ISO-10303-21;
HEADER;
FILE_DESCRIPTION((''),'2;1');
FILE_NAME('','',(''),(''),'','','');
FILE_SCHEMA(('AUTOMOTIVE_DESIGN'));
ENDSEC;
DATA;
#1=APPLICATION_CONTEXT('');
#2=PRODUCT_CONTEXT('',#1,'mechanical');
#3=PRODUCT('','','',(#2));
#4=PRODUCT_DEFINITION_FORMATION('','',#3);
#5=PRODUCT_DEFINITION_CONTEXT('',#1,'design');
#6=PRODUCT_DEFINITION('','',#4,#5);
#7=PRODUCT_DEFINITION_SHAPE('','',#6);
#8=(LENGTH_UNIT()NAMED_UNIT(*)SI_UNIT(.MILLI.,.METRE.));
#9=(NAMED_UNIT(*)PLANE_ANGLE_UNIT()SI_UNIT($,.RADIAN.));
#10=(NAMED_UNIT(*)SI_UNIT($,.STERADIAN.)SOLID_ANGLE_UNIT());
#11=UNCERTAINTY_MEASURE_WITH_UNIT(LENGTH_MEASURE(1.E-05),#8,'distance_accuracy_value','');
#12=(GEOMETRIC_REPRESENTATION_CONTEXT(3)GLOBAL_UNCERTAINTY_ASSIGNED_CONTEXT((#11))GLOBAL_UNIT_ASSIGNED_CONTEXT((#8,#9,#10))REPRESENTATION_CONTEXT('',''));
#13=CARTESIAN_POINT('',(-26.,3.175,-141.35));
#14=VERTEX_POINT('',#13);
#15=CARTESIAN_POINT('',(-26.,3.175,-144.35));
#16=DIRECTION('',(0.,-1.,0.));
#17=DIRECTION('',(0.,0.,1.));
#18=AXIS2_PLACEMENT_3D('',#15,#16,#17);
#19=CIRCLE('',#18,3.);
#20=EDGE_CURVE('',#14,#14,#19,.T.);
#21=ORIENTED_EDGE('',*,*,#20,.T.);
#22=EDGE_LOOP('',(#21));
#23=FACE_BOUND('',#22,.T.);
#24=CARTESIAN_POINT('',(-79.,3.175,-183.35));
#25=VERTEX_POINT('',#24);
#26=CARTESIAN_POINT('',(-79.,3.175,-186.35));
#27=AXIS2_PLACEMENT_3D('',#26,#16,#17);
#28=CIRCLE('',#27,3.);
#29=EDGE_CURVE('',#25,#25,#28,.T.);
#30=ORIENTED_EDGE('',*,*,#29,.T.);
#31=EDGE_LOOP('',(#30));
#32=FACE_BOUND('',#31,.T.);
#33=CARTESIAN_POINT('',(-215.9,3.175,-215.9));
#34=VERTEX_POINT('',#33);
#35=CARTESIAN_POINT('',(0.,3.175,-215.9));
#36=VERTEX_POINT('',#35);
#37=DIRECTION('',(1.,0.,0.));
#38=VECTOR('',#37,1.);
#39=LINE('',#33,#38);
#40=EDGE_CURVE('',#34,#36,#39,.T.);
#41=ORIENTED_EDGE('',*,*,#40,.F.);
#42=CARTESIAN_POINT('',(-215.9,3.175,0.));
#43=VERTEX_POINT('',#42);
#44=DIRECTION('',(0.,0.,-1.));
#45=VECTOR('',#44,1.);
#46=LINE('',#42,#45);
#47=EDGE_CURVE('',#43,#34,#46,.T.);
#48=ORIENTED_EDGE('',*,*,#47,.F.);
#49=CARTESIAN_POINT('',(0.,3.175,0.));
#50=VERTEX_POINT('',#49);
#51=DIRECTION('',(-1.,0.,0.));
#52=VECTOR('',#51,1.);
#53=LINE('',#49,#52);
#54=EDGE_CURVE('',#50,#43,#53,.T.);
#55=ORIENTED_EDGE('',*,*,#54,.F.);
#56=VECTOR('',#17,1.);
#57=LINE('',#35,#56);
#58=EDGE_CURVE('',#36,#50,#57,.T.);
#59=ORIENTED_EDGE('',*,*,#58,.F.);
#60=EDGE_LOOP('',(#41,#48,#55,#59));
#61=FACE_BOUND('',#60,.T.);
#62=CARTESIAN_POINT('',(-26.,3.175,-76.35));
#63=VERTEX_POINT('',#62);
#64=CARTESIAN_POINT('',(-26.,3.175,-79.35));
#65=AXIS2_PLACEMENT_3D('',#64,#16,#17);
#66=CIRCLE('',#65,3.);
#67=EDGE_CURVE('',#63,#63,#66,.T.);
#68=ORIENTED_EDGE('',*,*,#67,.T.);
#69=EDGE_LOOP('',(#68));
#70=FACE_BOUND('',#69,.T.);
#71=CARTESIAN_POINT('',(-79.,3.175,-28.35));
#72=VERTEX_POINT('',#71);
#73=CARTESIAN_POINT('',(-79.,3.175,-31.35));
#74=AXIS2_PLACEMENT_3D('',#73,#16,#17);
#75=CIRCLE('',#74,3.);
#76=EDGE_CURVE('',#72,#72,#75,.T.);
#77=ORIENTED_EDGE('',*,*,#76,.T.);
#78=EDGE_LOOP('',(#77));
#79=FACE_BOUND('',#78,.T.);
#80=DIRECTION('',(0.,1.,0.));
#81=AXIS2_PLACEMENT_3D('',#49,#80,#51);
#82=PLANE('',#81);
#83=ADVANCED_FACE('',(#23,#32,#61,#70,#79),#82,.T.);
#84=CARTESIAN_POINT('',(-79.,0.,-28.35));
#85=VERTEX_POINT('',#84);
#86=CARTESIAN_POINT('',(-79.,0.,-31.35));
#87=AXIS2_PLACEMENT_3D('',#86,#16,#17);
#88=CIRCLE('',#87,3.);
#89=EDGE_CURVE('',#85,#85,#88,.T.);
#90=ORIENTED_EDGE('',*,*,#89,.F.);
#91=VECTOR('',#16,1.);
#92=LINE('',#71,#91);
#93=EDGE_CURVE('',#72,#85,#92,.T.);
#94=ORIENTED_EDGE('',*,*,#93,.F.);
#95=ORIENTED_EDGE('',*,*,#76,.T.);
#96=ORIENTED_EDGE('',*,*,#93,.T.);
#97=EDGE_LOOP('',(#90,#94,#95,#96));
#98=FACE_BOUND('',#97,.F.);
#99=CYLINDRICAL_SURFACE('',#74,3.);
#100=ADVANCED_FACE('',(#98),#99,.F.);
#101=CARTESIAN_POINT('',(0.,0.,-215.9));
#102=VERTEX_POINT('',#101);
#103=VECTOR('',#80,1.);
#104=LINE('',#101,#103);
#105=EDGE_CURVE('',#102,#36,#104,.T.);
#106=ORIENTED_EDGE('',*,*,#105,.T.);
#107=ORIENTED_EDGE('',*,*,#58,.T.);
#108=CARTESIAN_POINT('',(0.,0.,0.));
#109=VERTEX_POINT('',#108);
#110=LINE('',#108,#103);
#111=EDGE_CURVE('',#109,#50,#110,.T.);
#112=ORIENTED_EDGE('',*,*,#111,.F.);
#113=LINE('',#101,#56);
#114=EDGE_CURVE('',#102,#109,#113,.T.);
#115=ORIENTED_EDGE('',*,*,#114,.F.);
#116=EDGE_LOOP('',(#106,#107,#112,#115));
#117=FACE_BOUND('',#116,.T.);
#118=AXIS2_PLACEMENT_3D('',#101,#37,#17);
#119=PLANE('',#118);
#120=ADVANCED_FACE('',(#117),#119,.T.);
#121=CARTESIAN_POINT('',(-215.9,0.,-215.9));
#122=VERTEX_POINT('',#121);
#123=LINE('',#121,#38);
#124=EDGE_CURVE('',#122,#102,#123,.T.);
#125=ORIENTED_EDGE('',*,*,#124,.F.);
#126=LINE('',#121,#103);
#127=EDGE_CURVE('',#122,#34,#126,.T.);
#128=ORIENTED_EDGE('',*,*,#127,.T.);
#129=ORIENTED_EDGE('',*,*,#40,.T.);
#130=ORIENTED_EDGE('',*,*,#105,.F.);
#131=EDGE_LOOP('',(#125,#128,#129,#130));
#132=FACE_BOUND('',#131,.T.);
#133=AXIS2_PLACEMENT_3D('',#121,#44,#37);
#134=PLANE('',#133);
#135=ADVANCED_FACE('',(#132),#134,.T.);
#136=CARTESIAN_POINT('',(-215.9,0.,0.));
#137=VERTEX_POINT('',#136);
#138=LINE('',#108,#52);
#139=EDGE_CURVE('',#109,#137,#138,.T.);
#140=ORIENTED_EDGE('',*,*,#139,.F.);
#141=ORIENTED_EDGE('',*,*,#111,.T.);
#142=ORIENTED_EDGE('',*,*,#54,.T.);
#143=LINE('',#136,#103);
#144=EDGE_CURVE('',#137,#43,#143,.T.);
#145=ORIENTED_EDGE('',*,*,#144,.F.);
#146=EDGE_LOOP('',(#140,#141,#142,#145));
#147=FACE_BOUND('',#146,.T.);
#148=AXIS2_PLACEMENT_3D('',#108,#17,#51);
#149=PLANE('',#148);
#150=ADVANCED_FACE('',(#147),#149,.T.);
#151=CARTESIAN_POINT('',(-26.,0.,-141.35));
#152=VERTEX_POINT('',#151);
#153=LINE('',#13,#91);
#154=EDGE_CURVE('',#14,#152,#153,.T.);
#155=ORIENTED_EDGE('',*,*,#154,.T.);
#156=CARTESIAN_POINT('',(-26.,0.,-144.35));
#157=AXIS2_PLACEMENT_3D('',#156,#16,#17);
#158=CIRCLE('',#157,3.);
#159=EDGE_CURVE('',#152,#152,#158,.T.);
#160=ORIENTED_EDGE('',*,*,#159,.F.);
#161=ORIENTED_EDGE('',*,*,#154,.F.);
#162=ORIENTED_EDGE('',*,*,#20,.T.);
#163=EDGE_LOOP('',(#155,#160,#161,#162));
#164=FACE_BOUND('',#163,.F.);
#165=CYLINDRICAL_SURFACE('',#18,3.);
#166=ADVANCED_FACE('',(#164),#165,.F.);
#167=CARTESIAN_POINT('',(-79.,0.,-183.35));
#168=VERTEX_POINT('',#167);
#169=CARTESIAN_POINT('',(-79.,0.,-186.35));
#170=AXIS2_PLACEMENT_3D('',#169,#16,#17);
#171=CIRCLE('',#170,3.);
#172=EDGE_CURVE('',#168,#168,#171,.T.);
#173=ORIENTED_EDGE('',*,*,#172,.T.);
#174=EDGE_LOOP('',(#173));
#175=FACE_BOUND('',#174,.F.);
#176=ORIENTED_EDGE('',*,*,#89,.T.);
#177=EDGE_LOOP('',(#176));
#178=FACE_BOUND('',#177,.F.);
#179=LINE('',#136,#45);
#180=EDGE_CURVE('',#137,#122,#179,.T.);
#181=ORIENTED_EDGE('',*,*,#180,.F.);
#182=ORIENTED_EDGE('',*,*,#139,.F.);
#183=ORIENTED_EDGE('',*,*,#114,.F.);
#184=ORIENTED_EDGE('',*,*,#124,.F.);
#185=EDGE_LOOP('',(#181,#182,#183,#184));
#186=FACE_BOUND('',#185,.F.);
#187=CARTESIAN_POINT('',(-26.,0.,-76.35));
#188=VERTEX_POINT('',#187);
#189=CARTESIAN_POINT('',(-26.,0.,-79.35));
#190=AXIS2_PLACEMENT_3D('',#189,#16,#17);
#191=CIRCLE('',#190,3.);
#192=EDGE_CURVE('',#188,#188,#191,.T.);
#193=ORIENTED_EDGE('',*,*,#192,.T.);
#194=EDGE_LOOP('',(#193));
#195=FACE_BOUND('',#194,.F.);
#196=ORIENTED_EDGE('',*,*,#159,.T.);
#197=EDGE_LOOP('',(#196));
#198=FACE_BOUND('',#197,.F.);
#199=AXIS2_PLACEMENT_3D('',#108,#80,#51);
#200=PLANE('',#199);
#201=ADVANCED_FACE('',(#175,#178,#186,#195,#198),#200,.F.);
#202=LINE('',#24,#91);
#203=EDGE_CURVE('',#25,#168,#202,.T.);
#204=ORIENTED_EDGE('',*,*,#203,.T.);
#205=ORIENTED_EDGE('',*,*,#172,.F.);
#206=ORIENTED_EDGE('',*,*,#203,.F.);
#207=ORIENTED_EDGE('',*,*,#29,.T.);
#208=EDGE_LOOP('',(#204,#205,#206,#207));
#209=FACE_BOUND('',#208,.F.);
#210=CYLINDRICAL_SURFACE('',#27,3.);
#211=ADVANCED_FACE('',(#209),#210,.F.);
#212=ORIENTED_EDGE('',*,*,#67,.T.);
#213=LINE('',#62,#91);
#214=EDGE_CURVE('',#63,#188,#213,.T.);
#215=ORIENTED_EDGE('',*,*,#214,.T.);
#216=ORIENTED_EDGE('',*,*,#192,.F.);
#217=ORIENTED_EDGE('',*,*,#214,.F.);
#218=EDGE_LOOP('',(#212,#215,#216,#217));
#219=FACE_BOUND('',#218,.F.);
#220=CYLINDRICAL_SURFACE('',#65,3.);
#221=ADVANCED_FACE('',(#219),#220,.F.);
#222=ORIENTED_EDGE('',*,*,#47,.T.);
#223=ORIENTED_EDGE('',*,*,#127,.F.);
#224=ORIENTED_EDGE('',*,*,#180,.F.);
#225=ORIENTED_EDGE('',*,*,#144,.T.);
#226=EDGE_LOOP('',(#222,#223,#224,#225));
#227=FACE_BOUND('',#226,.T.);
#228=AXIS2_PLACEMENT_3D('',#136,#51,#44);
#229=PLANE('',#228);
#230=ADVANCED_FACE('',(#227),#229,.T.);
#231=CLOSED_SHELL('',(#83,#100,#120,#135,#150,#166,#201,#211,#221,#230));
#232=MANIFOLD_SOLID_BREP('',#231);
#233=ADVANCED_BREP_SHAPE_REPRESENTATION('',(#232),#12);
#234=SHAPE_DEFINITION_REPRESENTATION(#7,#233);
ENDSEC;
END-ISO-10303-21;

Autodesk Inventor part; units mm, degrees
ref_plane "YZ Plane" through (0, 0, 0) normal (1, 0, 0) x (0, 1, 0)
ref_plane "XZ Plane" through (0, 0, 0) normal (0, 1, 0) x (-1, 0, 0)
ref_plane "XY Plane" through (0, 0, 0) normal (0, 0, 1) x (1, 0, 0)
sketch "Sketch1" plane through (0, 0, 0) normal (0, 1, 0) x (-1, 0, 0)
  line L0 (0, 0) -> (215.9, 0)
  line L1 (215.9, 0) -> (215.9, -215.9)
  line L2 (215.9, -215.9) -> (0, -215.9)
  line L3 (0, -215.9) -> (0, 0)
  dimension "d0" = 215.9
  dimension "d1" = 215.9
extrude "Extrusion1" add sketch "Sketch1" along normal blind 3.175
sketch "Sketch2" plane through (0, 3.175, 0) normal (0, 1, 0) x (1, 0, 0)
  line L0 (-291.9068, 6.35) -> (0, 6.35)
  line L1 (0, 6.35) -> (0, 293.5185)
  line L2 (0, 293.5185) -> (-291.9068, 293.5185)
  line L3 (-291.9068, 293.5185) -> (-291.9068, 6.35)
  line L4 (-215.9, 0) -> (0, 0) projected
  line L5 (0, 0) -> (0, 215.9) projected
  point P0 (-26, 79.35)
  point P1 (-79, 31.35)
  point P2 (-79, 186.35)
  point P3 (-26, 144.35)
  dimension "d4" = 138
  dimension "d5" = 26
  dimension "d6" = 79
  dimension "d7" = 25
  dimension "d8" = 79
  dimension "d9" = 26
  dimension "d10" = 73
  dimension "d11" = 180
  dimension "d12" = 6.35
  dimension "d13" = 0
hole "Hole1" at (-26, 3.175, -79.35) at (-79, 3.175, -31.35) at (-79, 3.175, -186.35) at (-26, 3.175, -144.35) direction (0, -1, 0) diameter 6 end through all
properties part number "side panel v1.2"
